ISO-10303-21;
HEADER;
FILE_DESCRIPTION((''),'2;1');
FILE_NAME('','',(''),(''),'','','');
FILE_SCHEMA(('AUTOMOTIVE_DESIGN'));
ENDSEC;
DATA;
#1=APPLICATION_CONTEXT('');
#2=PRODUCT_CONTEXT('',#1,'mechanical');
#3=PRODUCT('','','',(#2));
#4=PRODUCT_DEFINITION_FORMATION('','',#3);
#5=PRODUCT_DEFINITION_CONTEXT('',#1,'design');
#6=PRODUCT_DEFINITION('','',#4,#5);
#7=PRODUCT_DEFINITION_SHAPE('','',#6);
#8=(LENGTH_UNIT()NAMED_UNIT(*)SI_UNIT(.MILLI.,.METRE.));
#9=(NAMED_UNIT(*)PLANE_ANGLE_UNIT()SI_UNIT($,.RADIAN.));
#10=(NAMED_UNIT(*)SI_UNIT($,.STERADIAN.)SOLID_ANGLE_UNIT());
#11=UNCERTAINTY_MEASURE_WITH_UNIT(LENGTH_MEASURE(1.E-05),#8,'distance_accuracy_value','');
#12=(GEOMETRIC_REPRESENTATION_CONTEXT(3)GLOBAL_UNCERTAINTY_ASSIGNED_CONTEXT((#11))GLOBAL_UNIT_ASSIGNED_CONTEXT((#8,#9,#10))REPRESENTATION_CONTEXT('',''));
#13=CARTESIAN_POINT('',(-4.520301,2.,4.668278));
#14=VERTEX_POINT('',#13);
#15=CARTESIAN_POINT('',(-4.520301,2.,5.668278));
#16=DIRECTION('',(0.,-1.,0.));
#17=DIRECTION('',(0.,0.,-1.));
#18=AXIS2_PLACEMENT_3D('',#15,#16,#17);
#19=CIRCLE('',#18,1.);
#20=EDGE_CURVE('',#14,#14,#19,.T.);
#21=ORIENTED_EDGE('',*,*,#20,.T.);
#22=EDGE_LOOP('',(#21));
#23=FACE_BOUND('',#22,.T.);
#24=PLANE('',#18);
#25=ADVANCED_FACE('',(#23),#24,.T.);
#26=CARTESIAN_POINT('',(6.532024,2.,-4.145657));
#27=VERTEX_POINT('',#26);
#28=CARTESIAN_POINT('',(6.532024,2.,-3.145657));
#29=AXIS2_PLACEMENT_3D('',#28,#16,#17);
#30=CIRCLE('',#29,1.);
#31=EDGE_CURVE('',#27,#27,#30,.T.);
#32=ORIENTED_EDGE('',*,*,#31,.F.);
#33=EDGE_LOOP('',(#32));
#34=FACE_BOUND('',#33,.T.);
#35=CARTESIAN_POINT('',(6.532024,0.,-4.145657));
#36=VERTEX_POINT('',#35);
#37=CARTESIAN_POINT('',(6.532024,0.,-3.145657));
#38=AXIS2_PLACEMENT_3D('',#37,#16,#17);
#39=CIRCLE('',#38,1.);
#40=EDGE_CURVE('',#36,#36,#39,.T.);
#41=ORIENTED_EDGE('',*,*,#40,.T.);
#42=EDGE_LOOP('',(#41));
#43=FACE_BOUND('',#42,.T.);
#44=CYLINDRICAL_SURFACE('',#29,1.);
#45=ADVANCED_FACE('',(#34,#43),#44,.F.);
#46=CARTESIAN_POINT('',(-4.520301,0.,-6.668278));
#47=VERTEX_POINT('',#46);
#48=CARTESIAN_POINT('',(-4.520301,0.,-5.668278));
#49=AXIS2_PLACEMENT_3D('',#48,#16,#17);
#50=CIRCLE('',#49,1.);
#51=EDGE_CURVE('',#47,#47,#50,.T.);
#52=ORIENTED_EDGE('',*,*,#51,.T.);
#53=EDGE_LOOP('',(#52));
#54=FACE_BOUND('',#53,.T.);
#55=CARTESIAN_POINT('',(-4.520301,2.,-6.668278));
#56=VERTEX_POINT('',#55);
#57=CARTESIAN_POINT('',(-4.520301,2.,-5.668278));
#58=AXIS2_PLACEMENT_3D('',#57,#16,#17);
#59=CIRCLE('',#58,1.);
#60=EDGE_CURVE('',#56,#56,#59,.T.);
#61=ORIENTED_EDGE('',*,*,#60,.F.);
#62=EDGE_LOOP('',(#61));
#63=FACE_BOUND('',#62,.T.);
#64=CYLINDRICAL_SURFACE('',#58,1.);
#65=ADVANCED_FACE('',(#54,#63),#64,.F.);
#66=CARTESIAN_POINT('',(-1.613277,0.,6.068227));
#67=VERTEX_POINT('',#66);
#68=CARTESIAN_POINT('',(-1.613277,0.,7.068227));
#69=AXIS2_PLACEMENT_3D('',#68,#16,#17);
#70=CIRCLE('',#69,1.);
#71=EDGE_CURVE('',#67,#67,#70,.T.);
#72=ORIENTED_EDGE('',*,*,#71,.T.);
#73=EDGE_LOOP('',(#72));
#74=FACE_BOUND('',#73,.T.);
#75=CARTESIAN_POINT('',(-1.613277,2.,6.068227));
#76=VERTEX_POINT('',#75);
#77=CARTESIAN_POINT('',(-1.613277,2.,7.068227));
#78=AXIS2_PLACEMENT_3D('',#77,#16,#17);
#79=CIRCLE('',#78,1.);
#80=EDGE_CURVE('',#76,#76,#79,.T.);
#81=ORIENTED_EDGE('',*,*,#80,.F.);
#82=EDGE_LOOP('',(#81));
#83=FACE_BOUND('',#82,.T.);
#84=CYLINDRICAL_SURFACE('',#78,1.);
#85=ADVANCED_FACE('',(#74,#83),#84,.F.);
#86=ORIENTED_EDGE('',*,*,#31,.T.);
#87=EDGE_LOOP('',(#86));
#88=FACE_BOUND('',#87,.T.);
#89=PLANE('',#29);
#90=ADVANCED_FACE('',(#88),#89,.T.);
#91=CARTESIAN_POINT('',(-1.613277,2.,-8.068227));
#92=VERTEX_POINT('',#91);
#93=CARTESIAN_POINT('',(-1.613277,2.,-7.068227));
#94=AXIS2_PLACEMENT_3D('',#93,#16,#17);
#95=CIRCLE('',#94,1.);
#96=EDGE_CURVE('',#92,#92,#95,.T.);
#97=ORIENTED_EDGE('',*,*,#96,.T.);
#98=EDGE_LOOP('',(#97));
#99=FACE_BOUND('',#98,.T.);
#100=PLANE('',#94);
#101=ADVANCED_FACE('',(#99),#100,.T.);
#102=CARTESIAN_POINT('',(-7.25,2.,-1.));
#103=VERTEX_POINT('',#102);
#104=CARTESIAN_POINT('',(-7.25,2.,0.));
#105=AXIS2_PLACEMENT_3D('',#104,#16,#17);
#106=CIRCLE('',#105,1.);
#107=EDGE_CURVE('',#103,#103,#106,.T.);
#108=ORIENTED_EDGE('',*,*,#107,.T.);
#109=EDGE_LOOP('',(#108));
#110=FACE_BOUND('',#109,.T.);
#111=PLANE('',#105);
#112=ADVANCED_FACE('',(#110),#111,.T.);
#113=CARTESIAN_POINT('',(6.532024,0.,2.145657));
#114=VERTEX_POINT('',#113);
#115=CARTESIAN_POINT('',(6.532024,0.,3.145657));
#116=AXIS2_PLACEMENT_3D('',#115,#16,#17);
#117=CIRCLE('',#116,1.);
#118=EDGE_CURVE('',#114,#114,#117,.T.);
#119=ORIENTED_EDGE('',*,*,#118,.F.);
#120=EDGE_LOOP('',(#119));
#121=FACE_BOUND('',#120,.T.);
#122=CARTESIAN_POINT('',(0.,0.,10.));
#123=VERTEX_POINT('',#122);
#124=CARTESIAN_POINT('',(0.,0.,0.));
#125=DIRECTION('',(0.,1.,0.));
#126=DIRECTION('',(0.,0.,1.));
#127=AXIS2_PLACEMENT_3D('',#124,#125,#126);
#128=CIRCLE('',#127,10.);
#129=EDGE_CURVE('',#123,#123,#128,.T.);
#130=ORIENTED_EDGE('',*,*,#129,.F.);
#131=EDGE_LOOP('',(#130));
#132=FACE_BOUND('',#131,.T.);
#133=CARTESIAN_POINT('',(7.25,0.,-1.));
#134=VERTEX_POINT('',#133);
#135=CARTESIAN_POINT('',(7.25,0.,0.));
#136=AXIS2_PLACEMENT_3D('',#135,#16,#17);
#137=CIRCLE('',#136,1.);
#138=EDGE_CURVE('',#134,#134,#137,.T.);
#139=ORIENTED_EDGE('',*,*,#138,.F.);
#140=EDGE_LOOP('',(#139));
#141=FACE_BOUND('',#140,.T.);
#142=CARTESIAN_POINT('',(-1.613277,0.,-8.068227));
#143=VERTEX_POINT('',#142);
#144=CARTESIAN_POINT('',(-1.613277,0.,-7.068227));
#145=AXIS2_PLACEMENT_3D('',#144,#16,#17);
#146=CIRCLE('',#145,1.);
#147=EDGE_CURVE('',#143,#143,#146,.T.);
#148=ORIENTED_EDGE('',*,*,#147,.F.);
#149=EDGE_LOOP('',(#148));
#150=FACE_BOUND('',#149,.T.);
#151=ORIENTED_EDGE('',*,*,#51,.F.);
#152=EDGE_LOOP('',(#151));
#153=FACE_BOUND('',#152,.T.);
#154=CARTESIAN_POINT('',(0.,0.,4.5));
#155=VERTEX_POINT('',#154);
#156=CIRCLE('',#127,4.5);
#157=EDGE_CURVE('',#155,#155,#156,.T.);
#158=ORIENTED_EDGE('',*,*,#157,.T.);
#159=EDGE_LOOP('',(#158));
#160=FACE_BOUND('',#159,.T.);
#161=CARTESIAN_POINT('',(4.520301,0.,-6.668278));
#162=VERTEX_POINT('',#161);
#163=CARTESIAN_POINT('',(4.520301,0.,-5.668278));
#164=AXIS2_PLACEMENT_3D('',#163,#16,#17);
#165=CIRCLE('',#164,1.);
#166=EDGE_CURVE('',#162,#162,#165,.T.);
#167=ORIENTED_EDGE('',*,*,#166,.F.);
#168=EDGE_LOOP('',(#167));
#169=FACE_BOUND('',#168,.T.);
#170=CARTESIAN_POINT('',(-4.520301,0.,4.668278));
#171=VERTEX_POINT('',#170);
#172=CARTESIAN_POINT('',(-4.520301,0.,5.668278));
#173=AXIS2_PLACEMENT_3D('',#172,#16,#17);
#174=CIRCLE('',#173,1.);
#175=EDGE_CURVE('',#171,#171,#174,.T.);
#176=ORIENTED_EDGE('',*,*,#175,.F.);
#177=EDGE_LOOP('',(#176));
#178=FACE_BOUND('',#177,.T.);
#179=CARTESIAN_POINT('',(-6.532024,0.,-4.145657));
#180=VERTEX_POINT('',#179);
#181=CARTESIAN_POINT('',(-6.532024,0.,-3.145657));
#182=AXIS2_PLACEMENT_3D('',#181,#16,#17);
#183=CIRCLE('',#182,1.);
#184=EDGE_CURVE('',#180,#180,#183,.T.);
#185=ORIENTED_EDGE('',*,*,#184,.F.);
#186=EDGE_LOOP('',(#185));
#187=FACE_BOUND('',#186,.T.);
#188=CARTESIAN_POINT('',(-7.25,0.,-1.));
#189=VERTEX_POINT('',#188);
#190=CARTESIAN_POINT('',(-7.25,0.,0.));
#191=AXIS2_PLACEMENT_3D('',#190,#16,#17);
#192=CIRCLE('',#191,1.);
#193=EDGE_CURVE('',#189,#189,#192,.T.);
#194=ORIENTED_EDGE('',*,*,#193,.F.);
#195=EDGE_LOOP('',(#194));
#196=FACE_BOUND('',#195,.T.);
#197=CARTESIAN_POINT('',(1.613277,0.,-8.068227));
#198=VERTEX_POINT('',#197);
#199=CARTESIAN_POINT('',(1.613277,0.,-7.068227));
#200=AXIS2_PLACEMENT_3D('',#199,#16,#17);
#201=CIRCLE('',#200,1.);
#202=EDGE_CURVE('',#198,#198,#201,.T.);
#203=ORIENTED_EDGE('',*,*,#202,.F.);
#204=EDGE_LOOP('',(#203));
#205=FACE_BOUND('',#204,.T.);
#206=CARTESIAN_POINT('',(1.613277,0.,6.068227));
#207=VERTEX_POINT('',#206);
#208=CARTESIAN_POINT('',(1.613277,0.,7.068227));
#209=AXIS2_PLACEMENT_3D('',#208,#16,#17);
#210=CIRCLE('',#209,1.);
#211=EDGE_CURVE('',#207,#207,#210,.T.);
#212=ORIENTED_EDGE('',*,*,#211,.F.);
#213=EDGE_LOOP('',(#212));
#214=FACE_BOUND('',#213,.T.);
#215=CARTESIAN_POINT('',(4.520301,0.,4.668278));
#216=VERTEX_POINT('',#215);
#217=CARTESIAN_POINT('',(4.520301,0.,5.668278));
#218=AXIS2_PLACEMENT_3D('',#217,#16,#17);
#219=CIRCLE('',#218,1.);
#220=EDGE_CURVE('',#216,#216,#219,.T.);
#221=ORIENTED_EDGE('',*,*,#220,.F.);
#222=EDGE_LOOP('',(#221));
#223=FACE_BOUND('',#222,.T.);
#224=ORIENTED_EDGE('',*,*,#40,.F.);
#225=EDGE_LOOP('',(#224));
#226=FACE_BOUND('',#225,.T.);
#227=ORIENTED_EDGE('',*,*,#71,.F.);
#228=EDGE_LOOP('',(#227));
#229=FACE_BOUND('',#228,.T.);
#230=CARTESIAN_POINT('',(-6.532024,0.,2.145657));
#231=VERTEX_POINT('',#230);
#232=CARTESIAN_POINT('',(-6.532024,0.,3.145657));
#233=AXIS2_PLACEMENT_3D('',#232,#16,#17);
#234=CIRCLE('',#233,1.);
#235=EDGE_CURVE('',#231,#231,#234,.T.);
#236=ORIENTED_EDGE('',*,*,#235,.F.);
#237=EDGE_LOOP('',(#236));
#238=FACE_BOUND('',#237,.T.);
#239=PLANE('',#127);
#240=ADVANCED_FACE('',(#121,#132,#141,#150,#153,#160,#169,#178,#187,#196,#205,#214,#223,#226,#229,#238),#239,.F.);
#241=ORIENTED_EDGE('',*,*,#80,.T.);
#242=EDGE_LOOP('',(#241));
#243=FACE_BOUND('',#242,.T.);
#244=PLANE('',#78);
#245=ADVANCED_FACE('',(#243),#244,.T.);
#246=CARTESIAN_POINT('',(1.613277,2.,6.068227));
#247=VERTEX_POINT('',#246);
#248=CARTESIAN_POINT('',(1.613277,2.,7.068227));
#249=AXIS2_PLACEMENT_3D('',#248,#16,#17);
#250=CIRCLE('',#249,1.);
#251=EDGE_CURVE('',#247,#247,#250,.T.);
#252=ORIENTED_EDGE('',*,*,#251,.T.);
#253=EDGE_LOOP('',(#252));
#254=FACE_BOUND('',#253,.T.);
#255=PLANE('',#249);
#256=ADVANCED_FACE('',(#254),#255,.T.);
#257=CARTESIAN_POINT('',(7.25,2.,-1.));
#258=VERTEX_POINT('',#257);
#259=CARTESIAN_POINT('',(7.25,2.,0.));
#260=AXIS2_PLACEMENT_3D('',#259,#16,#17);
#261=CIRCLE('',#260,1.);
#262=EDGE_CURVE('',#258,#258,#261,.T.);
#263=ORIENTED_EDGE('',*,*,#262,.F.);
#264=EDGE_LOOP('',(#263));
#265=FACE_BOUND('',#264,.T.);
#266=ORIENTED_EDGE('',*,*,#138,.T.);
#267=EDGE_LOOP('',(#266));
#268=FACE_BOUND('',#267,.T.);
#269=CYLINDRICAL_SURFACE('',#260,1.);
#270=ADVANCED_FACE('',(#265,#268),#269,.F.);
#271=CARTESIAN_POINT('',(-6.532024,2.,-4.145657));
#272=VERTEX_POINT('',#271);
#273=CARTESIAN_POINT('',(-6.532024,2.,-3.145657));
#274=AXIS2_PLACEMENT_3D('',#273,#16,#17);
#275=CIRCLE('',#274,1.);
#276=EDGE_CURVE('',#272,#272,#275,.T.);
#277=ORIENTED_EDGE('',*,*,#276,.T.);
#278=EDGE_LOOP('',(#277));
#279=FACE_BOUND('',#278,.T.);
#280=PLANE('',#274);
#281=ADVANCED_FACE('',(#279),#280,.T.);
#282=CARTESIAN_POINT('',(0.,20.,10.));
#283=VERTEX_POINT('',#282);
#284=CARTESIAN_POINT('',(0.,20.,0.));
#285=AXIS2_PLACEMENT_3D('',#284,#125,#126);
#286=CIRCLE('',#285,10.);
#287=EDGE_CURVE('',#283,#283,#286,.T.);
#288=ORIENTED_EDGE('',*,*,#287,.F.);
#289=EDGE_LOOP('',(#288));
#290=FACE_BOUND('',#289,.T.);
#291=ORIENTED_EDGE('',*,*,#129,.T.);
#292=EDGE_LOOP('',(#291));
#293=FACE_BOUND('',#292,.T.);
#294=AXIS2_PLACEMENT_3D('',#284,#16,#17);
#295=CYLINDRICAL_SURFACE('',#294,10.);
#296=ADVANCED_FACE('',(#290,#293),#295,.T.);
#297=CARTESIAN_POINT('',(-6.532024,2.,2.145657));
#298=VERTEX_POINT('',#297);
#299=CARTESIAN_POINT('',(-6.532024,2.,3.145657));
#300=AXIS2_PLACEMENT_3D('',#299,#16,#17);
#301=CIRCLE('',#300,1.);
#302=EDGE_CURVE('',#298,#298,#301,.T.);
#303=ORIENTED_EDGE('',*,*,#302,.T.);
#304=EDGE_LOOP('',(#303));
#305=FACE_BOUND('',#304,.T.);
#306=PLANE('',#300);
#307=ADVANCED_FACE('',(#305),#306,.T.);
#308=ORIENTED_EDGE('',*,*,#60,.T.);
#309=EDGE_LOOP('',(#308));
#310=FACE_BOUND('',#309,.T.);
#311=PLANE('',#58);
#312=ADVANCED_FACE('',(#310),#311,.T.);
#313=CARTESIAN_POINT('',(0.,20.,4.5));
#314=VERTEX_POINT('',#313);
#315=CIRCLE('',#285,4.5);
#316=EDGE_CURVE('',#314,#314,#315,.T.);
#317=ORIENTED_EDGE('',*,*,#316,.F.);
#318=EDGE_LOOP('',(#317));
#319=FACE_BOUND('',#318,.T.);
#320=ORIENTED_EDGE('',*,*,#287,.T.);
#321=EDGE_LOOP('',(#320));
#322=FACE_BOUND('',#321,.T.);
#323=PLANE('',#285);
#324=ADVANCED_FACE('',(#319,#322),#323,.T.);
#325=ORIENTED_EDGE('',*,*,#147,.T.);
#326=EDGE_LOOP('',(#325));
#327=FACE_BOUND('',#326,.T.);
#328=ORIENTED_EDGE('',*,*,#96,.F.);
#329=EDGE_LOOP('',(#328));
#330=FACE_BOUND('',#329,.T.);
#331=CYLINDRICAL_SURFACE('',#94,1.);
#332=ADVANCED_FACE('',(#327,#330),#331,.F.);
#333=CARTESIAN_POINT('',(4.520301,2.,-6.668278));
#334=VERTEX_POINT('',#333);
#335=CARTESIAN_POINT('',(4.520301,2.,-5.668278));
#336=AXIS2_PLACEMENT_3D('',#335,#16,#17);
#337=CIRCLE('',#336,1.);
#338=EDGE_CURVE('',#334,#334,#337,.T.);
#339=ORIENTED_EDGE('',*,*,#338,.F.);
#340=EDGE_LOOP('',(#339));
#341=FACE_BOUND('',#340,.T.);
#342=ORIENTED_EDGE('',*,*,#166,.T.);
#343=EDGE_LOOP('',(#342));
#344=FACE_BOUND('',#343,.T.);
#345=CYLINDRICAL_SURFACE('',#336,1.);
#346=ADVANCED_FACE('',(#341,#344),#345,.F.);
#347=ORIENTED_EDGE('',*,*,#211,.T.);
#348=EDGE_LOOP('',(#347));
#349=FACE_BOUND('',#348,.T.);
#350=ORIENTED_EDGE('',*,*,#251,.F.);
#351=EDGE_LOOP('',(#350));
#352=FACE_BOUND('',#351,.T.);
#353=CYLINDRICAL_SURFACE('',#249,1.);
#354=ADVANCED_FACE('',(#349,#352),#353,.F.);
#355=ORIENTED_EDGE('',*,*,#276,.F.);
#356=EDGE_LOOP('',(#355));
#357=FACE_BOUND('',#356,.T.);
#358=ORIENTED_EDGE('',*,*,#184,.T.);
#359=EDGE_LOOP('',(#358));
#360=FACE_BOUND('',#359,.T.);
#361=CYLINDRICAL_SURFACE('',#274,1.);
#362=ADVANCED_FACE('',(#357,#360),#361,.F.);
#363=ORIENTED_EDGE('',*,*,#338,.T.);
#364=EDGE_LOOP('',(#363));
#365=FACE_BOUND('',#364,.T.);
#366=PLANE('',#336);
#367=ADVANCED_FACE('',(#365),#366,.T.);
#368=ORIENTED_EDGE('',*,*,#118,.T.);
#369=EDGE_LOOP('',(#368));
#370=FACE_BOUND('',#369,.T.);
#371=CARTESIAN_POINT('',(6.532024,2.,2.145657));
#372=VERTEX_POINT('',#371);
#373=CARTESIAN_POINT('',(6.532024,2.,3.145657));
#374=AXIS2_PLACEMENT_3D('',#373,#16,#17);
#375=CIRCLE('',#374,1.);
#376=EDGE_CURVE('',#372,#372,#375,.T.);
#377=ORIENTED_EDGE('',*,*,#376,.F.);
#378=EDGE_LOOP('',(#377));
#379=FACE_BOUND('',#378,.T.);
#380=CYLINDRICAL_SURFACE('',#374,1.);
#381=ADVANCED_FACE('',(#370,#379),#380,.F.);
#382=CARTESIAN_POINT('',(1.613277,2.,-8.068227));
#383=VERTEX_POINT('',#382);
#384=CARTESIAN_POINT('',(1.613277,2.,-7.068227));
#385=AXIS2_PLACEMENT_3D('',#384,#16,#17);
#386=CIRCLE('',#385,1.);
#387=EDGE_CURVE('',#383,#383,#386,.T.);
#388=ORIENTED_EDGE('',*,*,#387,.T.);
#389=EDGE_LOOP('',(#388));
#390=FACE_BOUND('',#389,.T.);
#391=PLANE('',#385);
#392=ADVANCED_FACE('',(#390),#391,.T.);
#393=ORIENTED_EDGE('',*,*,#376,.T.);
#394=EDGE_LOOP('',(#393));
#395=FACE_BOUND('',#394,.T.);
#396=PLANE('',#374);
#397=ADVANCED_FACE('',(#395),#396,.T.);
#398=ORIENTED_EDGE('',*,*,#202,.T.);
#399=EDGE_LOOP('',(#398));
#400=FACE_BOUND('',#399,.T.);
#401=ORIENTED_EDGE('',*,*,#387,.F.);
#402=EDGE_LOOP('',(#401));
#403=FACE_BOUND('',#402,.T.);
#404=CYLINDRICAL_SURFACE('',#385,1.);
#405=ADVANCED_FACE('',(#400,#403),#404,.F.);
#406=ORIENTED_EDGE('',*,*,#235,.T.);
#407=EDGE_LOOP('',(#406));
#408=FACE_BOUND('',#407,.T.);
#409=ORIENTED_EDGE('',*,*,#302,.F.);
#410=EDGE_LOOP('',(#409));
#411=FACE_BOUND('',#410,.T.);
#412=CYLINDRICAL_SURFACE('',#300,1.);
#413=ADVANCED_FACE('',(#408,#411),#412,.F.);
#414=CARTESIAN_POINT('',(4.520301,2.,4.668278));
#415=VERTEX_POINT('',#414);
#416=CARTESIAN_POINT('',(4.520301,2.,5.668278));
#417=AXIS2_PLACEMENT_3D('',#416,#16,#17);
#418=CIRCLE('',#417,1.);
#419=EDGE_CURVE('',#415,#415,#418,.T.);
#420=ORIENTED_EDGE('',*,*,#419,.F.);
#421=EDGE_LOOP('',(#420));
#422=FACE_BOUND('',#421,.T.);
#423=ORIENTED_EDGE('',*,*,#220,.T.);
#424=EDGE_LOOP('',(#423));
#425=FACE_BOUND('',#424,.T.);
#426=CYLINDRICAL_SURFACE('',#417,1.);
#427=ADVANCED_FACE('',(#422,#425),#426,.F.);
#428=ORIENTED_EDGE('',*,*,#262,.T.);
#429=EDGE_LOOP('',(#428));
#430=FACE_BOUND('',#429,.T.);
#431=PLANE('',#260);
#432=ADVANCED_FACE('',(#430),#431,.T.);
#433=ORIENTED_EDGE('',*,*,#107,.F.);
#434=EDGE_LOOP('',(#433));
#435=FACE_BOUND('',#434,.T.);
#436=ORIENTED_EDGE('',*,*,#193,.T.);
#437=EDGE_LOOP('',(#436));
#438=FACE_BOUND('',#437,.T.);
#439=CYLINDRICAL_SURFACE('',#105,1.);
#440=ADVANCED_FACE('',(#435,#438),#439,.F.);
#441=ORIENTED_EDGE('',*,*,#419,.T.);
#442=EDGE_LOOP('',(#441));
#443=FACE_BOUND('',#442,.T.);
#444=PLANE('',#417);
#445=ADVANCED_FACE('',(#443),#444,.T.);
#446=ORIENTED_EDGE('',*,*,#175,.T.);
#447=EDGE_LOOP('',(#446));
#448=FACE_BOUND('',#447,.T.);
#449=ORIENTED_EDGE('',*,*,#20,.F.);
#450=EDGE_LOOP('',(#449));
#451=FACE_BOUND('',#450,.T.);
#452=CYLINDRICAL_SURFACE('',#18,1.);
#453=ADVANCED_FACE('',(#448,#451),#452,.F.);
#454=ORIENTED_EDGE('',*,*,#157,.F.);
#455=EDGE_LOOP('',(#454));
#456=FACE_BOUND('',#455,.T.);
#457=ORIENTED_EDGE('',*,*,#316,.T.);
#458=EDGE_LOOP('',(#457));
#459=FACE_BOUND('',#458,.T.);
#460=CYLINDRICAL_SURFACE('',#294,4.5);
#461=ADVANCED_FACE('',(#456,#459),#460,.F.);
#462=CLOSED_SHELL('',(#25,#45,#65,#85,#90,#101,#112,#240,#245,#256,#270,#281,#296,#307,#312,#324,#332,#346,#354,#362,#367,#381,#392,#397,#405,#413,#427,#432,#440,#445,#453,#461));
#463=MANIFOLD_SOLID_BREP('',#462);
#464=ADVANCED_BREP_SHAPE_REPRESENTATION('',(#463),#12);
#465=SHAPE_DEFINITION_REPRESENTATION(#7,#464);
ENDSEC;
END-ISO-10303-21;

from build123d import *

# Parameters (mm, degrees)
SKETCH1_R           = 10
SKETCH1_R_2         = 4.5
BOSS_EXTRUDE1_DEPTH = 20
SKETCH2_R           = 1
CUT_EXTRUDE1_DEPTH  = 2


with BuildPart() as part:
    # Sketch1 → Boss-Extrude1 (new body)
    with BuildSketch(Plane(origin=(0, 0, 0), x_dir=(1, 0, 0), z_dir=(0, 1, 0))):
        with Locations(Location((0, 0, 0), (0, 0, 270))):
            Circle(SKETCH1_R)
        with Locations(Location((0, 0, 0), (0, 0, 270))):
            Circle(SKETCH1_R_2, mode=Mode.SUBTRACT)
    extrude(amount=BOSS_EXTRUDE1_DEPTH)

    # Sketch2 → Cut-Extrude1 (cut)
    with BuildSketch(Plane.XZ):
        with Locations(Location((-7.25, 0, 0), (0, 0, 270))):
            Circle(SKETCH2_R)
        with Locations(Location((-6.532024292, 3.145657109, 0), (0, 0, 270))):
            Circle(SKETCH2_R)
        with Locations(Location((-4.520301063, 5.668278248, 0), (0, 0, 270))):
            Circle(SKETCH2_R)
        with Locations(Location((-1.613276771, 7.068227363, 0), (0, 0, 270))):
            Circle(SKETCH2_R)
        with Locations(Location((1.613276771, 7.068227363, 0), (0, 0, 270))):
            Circle(SKETCH2_R)
        with Locations(Location((4.520301063, 5.668278248, 0), (0, 0, 270))):
            Circle(SKETCH2_R)
        with Locations(Location((6.532024292, 3.145657109, 0), (0, 0, 270))):
            Circle(SKETCH2_R)
        with Locations(Location((7.25, 0, 0), (0, 0, 270))):
            Circle(SKETCH2_R)
        with Locations(Location((6.532024292, -3.145657109, 0), (0, 0, 270))):
            Circle(SKETCH2_R)
        with Locations(Location((4.520301063, -5.668278248, 0), (0, 0, 270))):
            Circle(SKETCH2_R)
        with Locations(Location((1.613276771, -7.068227363, 0), (0, 0, 270))):
            Circle(SKETCH2_R)
        with Locations(Location((-1.613276771, -7.068227363, 0), (0, 0, 270))):
            Circle(SKETCH2_R)
        with Locations(Location((-4.520301063, -5.668278248, 0), (0, 0, 270))):
            Circle(SKETCH2_R)
        with Locations(Location((-6.532024292, -3.145657109, 0), (0, 0, 270))):
            Circle(SKETCH2_R)
    extrude(amount=-CUT_EXTRUDE1_DEPTH, mode=Mode.SUBTRACT)


solid = part.part
